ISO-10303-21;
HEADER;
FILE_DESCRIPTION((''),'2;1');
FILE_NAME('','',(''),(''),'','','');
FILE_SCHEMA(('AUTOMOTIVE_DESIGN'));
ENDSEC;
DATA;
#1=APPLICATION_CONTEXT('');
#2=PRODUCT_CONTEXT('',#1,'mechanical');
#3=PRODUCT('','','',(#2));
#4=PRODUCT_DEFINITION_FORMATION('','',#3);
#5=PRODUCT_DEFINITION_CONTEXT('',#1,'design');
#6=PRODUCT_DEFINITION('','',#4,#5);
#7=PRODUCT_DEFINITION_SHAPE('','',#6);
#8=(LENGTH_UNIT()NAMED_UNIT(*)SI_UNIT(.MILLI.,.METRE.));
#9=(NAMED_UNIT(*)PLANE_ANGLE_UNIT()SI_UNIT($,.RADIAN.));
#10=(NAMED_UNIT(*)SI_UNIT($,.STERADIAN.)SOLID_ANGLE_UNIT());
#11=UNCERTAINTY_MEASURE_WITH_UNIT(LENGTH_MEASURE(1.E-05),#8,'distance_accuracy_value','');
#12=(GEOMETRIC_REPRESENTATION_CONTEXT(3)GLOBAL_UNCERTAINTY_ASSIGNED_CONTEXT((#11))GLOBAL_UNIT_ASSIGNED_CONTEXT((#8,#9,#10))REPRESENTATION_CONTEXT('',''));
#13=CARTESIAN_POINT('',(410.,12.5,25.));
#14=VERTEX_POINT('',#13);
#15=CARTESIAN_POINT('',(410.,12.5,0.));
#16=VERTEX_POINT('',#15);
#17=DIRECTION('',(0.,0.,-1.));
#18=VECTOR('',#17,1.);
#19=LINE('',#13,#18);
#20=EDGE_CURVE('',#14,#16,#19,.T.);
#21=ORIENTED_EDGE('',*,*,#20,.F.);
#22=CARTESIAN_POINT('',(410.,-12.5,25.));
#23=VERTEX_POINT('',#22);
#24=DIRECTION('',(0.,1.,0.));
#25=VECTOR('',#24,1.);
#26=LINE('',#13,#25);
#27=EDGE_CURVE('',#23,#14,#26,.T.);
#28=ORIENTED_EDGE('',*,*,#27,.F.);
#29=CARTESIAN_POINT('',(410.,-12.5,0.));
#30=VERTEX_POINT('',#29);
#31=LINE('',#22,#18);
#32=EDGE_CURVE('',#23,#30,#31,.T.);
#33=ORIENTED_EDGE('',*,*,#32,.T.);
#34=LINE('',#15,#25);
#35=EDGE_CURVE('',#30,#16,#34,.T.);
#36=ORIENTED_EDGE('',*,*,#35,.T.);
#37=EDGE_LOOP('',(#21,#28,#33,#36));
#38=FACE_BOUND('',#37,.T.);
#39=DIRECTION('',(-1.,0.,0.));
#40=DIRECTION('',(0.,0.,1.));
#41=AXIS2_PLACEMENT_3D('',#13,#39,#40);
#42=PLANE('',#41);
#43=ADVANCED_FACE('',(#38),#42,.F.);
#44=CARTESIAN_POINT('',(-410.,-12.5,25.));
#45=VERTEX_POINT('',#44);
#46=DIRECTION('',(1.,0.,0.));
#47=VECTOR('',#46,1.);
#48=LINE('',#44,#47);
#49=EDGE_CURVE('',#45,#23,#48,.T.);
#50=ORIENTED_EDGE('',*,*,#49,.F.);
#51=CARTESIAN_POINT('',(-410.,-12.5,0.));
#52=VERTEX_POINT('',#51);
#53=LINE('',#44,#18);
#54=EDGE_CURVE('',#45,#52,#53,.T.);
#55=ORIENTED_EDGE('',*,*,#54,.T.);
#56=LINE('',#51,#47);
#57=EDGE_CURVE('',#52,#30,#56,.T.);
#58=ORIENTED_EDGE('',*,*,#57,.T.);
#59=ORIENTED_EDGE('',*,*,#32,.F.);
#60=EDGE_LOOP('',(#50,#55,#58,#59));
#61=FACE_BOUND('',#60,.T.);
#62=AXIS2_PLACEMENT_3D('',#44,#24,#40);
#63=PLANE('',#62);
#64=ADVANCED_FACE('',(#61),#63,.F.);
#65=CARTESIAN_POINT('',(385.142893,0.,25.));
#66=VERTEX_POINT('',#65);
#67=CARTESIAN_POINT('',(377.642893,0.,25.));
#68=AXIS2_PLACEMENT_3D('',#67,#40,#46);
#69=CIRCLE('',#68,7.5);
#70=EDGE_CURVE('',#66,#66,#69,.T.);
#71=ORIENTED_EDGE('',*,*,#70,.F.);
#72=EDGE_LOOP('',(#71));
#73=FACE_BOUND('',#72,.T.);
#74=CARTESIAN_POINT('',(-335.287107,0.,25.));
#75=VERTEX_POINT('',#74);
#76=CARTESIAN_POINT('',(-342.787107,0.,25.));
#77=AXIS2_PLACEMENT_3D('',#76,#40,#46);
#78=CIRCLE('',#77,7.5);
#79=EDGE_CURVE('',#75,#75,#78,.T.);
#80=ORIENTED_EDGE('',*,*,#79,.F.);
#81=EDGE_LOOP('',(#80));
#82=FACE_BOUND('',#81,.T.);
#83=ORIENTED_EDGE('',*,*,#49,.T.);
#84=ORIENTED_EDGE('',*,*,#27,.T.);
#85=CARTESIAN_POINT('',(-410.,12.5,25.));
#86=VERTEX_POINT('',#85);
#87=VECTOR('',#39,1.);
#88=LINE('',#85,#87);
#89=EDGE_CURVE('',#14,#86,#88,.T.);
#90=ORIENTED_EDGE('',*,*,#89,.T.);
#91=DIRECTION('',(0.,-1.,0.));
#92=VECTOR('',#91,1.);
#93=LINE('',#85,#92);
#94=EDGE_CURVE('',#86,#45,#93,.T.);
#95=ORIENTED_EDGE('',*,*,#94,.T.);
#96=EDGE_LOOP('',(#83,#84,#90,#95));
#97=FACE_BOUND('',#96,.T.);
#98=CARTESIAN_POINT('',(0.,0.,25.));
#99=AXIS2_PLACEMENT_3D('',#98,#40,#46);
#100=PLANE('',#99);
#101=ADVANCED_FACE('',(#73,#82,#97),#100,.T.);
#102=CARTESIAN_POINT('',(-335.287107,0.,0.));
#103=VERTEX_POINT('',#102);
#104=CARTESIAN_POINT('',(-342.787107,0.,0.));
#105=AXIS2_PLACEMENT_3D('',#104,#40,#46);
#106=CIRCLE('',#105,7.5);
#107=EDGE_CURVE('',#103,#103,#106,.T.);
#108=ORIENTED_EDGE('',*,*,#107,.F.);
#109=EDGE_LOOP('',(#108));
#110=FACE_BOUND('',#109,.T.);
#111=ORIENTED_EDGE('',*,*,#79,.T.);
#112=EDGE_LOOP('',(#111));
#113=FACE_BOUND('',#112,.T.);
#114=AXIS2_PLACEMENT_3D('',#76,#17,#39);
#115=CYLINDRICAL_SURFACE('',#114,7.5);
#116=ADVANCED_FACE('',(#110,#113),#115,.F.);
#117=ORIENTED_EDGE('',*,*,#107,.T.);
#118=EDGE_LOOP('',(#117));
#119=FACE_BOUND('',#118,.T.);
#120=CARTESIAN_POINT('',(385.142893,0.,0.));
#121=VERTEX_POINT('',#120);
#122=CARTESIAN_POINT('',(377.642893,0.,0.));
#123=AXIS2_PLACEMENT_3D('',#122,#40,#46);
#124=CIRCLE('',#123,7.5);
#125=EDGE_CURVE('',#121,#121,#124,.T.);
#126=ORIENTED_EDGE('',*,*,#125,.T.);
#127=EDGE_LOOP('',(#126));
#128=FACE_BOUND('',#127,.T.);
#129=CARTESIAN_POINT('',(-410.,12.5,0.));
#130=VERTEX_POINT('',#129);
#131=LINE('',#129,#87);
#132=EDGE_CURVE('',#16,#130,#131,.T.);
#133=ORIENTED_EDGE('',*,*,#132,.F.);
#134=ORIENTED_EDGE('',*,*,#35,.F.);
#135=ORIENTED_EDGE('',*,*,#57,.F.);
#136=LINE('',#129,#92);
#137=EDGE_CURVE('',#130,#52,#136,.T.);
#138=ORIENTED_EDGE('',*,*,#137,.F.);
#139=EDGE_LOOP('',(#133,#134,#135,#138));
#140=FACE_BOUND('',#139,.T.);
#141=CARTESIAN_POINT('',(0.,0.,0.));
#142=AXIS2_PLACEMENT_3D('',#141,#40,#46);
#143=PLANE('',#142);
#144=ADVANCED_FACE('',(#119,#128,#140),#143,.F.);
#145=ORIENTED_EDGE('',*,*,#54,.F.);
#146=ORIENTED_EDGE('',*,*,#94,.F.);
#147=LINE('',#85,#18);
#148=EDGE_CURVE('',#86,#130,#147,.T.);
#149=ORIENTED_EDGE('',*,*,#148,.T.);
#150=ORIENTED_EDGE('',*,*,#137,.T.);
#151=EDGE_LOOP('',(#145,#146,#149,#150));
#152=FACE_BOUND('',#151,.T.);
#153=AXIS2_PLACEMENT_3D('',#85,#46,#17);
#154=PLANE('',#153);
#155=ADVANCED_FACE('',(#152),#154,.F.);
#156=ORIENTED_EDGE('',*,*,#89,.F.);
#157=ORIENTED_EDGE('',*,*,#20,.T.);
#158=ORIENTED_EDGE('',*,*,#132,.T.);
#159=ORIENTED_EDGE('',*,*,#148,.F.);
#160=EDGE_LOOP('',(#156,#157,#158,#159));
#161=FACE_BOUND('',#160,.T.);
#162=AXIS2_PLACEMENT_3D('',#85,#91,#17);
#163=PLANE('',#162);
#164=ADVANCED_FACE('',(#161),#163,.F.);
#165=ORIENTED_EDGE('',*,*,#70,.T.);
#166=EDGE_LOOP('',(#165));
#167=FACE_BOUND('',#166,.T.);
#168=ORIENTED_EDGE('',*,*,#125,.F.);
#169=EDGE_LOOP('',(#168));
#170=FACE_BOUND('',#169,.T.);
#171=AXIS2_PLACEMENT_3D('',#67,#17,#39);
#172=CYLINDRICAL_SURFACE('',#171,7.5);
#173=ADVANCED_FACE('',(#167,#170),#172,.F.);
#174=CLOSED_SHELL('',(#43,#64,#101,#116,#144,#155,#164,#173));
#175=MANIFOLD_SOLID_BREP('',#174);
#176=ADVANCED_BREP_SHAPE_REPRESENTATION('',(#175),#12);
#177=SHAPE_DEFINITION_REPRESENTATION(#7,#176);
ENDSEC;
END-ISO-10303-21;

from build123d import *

# Parameters (mm, degrees)
SKETCH1_W           = 820
SKETCH1_H           = 25
SKETCH1_R           = 7.5
BOSS_EXTRUDE1_DEPTH = 25


with BuildPart() as part:
    # Sketch1 → Boss-Extrude1 (new body)
    with BuildSketch(Plane.XY):
        Rectangle(SKETCH1_W, SKETCH1_H)
        with Locations((-342.78710735, 0)):
            Circle(SKETCH1_R, mode=Mode.SUBTRACT)
        with Locations((377.64289265, 0)):
            Circle(SKETCH1_R, mode=Mode.SUBTRACT)
    extrude(amount=BOSS_EXTRUDE1_DEPTH)


solid = part.part
